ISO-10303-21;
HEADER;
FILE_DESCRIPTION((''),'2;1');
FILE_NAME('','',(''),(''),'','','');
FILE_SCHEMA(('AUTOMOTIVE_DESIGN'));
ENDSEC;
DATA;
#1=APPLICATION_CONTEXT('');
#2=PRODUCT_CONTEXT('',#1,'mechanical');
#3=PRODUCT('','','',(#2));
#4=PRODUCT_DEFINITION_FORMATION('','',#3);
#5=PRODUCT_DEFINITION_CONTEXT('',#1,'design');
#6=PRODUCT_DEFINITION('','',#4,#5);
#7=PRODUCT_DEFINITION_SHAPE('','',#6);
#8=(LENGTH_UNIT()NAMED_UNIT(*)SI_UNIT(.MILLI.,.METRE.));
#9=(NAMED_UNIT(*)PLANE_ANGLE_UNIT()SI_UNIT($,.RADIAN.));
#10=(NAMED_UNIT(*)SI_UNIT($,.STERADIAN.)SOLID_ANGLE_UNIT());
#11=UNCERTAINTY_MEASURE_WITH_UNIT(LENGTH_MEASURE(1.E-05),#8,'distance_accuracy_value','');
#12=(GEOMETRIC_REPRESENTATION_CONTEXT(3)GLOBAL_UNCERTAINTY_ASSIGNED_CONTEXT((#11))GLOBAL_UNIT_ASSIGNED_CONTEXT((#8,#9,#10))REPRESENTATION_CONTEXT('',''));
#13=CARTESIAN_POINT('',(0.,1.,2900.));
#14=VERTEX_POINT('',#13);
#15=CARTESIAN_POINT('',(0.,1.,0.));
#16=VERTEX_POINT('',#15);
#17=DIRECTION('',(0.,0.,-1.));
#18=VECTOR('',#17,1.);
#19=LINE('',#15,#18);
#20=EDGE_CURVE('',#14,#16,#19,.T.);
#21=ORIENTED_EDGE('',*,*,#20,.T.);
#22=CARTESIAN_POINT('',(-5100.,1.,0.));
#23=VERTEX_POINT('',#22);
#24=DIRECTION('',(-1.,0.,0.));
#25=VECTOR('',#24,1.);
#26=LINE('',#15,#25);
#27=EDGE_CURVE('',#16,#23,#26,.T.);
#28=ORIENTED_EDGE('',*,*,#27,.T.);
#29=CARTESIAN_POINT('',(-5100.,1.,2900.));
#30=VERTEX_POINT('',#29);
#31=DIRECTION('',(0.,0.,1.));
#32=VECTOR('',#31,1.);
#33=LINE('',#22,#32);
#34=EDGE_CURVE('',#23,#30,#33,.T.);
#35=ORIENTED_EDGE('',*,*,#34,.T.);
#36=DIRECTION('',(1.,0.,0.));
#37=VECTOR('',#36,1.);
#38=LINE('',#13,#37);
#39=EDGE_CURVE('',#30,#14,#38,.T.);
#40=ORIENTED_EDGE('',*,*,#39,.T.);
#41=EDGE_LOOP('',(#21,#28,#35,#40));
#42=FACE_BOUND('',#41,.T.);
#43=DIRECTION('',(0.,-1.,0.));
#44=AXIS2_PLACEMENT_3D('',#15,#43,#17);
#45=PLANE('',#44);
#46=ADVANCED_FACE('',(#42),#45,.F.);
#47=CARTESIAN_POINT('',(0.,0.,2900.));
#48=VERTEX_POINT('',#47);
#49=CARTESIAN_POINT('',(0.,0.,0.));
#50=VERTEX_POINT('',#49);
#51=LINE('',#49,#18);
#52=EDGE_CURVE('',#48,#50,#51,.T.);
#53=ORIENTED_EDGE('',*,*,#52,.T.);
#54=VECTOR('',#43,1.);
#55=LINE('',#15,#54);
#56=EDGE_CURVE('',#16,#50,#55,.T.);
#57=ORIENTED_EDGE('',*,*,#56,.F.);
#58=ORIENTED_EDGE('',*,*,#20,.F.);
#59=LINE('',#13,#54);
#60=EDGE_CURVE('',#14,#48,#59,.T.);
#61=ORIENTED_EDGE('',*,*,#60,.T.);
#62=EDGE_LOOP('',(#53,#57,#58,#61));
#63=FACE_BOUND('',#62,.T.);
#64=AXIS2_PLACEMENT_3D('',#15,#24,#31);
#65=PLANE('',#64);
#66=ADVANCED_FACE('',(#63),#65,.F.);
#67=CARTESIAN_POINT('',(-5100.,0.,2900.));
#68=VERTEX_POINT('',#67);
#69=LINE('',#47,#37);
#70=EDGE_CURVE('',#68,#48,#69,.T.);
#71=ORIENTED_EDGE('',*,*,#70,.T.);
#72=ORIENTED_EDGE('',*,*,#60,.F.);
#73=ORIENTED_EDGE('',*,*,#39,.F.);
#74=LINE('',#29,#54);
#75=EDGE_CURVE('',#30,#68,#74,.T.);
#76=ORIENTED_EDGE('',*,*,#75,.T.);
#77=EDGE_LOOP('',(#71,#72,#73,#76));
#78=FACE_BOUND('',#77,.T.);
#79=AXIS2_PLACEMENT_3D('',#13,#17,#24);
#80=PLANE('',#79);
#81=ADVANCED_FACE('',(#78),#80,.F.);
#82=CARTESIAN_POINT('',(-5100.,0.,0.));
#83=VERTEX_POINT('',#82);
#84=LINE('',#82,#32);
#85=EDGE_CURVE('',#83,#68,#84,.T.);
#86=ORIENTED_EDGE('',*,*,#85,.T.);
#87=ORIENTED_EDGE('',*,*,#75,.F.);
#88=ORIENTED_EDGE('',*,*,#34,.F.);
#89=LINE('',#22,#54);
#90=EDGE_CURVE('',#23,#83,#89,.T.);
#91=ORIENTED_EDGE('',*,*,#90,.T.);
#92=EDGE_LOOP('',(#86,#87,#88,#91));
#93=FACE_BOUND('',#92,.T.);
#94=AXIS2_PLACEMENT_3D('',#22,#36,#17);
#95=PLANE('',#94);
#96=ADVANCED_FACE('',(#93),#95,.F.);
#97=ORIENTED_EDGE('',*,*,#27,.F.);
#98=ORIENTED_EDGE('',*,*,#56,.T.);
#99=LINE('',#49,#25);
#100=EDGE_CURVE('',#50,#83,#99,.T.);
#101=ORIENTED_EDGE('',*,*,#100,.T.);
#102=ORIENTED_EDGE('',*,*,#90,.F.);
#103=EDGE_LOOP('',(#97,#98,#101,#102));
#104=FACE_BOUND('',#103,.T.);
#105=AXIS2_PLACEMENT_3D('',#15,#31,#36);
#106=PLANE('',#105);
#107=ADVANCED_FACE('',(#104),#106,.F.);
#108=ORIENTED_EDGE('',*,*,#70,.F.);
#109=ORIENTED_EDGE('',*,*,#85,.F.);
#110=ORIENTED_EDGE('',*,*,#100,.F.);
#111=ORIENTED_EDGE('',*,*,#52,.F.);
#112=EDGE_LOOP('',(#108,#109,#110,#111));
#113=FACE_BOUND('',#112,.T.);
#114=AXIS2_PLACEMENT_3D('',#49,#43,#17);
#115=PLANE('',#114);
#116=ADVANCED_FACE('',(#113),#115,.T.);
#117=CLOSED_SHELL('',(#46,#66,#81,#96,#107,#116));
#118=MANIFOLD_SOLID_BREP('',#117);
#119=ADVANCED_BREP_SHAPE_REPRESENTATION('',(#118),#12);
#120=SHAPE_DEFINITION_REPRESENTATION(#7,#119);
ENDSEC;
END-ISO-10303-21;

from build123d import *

# Parameters (mm, degrees)
SKETCH_1_W      = 5100
SKETCH_1_H      = 2900
EXTRUDE_1_DEPTH = 1


with BuildPart() as part:
    # Эскиз1 → Бобышка-Вытянуть1 (new body)
    with BuildSketch(Plane(origin=(0, 0, 0), x_dir=(1, 0, 0), z_dir=(0, 1, 0))):
        with Locations((-2550, -1450)):
            Rectangle(SKETCH_1_W, SKETCH_1_H)
    extrude(amount=EXTRUDE_1_DEPTH)


solid = part.part
